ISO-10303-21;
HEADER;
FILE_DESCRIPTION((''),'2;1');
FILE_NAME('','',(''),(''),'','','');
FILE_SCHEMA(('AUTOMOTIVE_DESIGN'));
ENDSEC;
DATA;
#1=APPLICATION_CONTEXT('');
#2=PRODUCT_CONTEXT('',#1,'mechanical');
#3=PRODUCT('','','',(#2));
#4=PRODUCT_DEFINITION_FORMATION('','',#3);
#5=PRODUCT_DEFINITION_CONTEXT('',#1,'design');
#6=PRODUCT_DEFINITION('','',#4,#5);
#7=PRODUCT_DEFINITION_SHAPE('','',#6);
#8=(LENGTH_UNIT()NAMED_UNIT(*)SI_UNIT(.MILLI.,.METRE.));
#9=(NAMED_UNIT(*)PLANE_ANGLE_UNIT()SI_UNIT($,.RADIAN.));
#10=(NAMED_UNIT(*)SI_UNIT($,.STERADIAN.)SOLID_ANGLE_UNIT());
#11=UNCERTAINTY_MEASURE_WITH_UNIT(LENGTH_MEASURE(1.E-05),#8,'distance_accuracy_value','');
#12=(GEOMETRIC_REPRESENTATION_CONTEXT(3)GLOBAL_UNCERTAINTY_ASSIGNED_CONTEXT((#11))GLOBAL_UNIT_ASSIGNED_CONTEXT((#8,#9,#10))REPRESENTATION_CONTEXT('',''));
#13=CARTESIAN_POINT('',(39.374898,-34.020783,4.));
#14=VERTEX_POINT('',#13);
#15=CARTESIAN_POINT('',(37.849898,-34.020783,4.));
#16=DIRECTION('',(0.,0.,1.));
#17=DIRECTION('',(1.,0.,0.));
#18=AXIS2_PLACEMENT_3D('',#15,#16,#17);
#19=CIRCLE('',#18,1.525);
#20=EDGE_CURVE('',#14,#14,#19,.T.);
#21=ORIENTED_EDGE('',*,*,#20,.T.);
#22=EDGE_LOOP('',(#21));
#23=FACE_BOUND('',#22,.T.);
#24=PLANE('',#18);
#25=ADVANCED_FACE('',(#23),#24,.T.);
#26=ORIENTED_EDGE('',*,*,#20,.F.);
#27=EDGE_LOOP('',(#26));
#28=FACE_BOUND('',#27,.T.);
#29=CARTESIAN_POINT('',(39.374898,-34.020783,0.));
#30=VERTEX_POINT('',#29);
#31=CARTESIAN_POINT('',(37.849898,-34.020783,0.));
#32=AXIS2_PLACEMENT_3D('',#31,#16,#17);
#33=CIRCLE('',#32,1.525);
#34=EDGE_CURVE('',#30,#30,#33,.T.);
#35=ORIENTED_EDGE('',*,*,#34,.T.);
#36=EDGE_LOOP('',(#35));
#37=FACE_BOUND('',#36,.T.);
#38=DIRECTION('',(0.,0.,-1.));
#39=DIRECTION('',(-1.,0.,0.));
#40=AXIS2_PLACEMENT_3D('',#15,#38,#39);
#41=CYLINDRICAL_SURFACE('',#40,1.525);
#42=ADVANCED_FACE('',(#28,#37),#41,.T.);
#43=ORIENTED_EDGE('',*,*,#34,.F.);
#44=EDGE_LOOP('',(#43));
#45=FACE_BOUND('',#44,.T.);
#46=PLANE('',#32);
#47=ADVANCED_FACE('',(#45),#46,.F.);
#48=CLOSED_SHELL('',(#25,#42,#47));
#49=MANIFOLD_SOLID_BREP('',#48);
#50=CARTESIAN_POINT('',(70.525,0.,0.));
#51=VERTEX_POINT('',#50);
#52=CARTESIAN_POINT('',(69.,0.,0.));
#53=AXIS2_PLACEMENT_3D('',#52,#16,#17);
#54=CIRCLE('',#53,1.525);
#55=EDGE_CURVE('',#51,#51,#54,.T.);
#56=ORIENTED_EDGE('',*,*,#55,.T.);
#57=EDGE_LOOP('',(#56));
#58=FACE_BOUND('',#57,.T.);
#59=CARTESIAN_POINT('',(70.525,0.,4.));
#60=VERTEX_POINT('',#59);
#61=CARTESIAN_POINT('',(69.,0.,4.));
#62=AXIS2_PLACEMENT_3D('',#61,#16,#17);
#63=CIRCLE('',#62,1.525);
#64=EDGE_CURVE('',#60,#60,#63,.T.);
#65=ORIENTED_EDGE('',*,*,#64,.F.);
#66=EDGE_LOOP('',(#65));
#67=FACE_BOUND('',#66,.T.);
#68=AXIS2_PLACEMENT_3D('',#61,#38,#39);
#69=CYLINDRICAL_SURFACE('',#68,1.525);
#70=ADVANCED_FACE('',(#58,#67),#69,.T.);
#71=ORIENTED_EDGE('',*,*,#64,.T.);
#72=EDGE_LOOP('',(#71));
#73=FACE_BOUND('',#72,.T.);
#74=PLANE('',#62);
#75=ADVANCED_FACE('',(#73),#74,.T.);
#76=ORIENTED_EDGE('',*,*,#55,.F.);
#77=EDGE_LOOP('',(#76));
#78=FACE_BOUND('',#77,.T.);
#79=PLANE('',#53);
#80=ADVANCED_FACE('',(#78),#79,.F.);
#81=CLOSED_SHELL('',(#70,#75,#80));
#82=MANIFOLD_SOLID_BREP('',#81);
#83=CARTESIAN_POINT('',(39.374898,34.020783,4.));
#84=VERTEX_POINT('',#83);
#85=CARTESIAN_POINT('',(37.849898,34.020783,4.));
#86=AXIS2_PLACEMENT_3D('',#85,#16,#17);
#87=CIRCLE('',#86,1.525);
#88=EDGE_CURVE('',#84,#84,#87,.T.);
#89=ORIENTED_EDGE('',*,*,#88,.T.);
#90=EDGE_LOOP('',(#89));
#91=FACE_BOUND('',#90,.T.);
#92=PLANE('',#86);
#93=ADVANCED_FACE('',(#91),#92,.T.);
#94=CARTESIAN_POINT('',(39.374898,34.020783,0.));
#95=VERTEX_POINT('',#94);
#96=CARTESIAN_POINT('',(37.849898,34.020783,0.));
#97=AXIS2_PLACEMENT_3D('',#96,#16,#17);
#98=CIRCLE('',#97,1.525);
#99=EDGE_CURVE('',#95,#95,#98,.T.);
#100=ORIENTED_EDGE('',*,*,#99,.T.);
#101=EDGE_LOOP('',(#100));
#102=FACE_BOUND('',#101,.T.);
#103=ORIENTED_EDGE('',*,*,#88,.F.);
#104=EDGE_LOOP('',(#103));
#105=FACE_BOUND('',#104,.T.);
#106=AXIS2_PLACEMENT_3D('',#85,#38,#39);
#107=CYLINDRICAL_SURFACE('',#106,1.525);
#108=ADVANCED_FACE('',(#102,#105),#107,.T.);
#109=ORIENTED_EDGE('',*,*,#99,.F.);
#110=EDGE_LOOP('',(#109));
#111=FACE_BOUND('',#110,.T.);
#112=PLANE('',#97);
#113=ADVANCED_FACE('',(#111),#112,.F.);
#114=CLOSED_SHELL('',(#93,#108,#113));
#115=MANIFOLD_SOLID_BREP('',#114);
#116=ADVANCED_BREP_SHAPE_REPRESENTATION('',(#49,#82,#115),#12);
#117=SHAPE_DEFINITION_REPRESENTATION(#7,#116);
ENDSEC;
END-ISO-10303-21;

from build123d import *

# Parameters (mm, degrees)
SKETCH_1_R        = 1.525
EXTRUDE_1_DEPTH   = 4
EXTRUDE_1_2_DEPTH = 4
EXTRUDE_1_3_DEPTH = 4


with BuildPart() as part:
    # 草图1 → 凸台-拉伸1 (new body)
    with BuildSketch(Plane.XY):
        with Locations((37.849897884, 34.020782514)):
            Circle(SKETCH_1_R)
    extrude(amount=EXTRUDE_1_DEPTH)


with BuildPart() as body_2:
    # 草图1 → Extrude 1 2 (new body)
    with BuildSketch(Plane.XY):
        with Locations((69, 0)):
            Circle(SKETCH_1_R)
    extrude(amount=EXTRUDE_1_2_DEPTH)


with BuildPart() as body_3:
    # 草图1 → Extrude 1 3 (new body)
    with BuildSketch(Plane.XY):
        with Locations((37.849897884, -34.020782514)):
            Circle(SKETCH_1_R)
    extrude(amount=EXTRUDE_1_3_DEPTH)


solid = Compound([part.part, body_2.part, body_3.part])
